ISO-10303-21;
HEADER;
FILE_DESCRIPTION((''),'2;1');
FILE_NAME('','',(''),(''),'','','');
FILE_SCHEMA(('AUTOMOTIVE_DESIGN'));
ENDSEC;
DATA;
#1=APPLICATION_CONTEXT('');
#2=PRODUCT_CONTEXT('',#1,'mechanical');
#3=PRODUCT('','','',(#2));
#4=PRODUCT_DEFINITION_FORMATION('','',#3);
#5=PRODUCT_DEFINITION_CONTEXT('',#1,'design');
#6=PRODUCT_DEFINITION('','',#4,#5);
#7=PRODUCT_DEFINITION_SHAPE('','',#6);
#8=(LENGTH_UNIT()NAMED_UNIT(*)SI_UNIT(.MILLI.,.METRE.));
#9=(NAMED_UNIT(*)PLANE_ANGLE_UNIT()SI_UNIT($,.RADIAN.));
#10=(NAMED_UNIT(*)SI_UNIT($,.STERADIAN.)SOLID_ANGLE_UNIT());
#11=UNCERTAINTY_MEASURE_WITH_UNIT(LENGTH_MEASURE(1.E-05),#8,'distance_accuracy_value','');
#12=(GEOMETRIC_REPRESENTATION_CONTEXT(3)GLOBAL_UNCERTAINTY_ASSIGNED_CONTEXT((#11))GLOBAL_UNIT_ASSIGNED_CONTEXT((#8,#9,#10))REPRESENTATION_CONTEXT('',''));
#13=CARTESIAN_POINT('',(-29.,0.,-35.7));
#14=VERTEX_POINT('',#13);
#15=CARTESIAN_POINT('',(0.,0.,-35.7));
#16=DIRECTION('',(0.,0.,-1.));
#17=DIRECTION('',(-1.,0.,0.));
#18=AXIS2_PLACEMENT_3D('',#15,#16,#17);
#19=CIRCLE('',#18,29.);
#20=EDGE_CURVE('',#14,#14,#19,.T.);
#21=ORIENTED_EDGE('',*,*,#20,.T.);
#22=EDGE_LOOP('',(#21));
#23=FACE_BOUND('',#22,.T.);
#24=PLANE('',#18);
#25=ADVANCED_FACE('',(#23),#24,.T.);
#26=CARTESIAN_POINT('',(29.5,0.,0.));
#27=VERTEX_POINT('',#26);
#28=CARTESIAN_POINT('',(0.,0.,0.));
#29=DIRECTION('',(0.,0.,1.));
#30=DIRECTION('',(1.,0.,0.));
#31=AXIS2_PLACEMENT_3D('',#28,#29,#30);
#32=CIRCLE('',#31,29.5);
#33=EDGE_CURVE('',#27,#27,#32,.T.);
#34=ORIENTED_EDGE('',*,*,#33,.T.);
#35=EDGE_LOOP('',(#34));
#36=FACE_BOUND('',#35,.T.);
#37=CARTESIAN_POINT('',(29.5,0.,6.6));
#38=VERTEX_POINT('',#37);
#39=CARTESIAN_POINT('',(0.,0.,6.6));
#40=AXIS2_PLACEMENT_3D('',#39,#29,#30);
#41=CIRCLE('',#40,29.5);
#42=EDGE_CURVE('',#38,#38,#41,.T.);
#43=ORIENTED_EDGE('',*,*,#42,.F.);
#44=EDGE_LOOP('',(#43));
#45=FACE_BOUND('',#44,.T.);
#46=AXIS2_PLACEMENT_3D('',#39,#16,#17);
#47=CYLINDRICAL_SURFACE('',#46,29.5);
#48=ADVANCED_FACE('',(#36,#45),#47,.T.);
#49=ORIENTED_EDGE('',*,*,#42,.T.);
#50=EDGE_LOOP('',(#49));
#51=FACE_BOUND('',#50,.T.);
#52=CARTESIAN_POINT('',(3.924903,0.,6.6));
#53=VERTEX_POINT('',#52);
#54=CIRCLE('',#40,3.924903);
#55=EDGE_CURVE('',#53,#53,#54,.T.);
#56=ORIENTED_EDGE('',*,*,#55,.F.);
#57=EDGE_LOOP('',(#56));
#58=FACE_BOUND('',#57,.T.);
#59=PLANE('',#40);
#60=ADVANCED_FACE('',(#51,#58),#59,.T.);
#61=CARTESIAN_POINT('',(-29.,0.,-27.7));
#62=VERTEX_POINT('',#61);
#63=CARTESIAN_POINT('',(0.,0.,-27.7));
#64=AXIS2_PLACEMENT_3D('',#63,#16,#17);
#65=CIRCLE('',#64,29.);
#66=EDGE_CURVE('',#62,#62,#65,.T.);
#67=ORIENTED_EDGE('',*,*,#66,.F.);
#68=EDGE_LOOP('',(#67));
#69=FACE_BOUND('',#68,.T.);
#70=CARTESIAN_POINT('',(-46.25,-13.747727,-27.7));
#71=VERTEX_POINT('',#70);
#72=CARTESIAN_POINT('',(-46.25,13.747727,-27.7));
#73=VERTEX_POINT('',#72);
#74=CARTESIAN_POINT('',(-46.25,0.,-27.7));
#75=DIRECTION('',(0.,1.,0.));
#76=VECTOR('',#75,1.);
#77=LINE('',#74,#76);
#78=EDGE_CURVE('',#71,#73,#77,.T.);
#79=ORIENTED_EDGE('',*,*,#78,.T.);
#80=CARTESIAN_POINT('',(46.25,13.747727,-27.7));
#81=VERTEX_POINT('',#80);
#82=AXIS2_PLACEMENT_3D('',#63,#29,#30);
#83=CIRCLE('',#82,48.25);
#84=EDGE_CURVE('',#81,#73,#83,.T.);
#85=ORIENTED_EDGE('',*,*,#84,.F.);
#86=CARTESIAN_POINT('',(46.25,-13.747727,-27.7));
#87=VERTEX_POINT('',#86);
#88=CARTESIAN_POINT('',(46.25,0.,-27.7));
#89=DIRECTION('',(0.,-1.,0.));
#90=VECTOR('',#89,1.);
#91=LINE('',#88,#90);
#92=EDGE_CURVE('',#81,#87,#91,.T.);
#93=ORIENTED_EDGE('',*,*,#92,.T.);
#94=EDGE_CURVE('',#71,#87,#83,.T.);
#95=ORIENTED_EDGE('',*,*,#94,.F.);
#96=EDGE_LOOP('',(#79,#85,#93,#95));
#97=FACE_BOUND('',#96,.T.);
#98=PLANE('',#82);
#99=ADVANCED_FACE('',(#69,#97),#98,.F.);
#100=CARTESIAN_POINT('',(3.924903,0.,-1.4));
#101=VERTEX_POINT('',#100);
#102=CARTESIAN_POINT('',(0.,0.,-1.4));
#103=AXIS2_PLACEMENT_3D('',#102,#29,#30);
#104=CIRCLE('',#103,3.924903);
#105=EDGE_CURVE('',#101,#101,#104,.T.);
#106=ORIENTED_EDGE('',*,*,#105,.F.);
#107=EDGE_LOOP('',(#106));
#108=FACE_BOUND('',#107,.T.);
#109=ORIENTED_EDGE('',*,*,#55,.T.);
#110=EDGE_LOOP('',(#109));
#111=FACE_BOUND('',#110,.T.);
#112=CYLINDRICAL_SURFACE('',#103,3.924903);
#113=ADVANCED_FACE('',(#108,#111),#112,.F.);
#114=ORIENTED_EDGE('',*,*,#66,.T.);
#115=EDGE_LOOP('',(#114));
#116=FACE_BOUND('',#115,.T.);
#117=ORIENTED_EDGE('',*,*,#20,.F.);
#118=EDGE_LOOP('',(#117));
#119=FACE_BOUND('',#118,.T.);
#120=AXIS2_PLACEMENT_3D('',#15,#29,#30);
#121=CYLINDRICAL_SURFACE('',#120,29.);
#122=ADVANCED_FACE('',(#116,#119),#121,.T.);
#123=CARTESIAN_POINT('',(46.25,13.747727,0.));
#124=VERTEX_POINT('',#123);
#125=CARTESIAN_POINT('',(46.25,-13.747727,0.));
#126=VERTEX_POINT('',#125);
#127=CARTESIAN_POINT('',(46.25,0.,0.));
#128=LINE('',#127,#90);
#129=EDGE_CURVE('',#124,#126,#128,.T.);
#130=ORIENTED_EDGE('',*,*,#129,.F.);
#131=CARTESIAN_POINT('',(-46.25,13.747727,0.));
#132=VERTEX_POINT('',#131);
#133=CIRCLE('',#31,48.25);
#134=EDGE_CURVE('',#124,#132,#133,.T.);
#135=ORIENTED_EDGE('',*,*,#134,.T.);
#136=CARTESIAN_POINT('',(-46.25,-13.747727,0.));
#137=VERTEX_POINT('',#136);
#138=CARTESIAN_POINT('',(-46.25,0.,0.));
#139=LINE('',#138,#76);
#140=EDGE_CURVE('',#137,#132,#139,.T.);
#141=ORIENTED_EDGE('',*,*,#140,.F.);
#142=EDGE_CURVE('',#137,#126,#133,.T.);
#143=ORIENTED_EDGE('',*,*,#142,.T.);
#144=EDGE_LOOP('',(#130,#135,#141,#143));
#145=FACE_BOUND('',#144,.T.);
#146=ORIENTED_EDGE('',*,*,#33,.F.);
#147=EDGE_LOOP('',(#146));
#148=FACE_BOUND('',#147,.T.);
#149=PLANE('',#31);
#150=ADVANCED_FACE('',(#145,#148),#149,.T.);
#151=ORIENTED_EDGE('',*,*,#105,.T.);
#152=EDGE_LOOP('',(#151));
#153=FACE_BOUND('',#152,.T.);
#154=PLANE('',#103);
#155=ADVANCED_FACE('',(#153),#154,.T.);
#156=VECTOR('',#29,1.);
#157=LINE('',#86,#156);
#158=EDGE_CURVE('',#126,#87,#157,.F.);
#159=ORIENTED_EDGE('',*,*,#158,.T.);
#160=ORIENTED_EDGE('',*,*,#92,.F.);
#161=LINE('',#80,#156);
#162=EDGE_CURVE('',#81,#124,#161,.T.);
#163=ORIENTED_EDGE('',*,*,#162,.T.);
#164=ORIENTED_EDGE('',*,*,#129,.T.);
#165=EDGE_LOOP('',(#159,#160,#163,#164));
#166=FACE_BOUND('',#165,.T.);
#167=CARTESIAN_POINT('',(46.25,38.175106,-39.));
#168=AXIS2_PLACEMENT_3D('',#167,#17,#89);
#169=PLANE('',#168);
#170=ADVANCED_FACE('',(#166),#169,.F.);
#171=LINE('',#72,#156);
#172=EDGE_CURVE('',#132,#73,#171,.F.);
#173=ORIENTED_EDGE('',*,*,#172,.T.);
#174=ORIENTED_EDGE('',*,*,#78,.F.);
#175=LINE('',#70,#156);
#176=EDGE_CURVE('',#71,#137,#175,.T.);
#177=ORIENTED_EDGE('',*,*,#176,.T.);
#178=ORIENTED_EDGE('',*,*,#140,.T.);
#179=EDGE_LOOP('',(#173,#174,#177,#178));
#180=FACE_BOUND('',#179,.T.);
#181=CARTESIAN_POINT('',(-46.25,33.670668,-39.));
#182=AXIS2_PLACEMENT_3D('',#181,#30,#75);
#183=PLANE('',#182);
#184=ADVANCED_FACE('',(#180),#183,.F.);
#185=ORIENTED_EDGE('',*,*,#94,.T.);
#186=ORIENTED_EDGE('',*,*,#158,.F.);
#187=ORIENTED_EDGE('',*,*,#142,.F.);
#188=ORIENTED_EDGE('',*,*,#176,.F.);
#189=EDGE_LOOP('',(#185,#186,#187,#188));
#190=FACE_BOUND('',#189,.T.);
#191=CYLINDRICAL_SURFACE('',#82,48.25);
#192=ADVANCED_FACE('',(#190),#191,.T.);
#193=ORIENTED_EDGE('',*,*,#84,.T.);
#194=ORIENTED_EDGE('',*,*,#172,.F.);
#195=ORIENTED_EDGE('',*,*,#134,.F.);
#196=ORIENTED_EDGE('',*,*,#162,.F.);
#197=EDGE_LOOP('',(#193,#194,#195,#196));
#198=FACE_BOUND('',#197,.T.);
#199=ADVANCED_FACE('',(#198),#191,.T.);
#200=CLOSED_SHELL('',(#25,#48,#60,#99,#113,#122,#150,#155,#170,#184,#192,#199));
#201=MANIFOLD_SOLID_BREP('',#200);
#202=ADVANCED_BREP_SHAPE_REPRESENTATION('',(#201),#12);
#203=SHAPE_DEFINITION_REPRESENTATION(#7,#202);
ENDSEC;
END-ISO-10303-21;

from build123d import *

# Parameters (mm, degrees)
SKETCH1_R           = 48.25
BOSS_EXTRUDE1_DEPTH = 27.7
SKETCH2_R           = 29.5
BOSS_EXTRUDE2_DEPTH = 6.6
SKETCH3_R           = 29
BOSS_EXTRUDE3_DEPTH = 8
SKETCH4_R           = 3.924903364
CUT_EXTRUDE1_DEPTH  = 8
SKETCH6_W           = 13.813607538
SKETCH6_H           = 65.464487898
SKETCH6_W_2         = 19.669375951
SKETCH6_H_2         = 76.725581
CUT_EXTRUDE2_DEPTH  = 39


with BuildPart() as part:
    # Sketch1 → Boss-Extrude1 (new body)
    with BuildSketch(Plane.XY):
        Circle(SKETCH1_R)
    extrude(amount=-BOSS_EXTRUDE1_DEPTH)

    # Sketch2 → Boss-Extrude2 (add)
    with BuildSketch(Plane.XY):
        Circle(SKETCH2_R)
    extrude(amount=BOSS_EXTRUDE2_DEPTH)

    # Sketch3 → Boss-Extrude3 (add)
    with BuildSketch(Plane(origin=(0, 0, -27.7), x_dir=(-1, 0, 0), z_dir=(0, 0, -1))):
        Circle(SKETCH3_R)
    extrude(amount=BOSS_EXTRUDE3_DEPTH)

    # Sketch4 → Cut-Extrude1 (cut)
    with BuildSketch(Plane.XY.offset(6.6)):
        Circle(SKETCH4_R)
    extrude(amount=-CUT_EXTRUDE1_DEPTH, mode=Mode.SUBTRACT)

    # Sketch6 → Cut-Extrude2 (cut)
    with BuildSketch(Plane.XY):
        with Locations((-53.156803769, 0.938424425)):
            Rectangle(SKETCH6_W, SKETCH6_H)
        with Locations((56.084687976, -0.187684885)):
            Rectangle(SKETCH6_W_2, SKETCH6_H_2)
    extrude(amount=-CUT_EXTRUDE2_DEPTH, mode=Mode.SUBTRACT)


solid = part.part
